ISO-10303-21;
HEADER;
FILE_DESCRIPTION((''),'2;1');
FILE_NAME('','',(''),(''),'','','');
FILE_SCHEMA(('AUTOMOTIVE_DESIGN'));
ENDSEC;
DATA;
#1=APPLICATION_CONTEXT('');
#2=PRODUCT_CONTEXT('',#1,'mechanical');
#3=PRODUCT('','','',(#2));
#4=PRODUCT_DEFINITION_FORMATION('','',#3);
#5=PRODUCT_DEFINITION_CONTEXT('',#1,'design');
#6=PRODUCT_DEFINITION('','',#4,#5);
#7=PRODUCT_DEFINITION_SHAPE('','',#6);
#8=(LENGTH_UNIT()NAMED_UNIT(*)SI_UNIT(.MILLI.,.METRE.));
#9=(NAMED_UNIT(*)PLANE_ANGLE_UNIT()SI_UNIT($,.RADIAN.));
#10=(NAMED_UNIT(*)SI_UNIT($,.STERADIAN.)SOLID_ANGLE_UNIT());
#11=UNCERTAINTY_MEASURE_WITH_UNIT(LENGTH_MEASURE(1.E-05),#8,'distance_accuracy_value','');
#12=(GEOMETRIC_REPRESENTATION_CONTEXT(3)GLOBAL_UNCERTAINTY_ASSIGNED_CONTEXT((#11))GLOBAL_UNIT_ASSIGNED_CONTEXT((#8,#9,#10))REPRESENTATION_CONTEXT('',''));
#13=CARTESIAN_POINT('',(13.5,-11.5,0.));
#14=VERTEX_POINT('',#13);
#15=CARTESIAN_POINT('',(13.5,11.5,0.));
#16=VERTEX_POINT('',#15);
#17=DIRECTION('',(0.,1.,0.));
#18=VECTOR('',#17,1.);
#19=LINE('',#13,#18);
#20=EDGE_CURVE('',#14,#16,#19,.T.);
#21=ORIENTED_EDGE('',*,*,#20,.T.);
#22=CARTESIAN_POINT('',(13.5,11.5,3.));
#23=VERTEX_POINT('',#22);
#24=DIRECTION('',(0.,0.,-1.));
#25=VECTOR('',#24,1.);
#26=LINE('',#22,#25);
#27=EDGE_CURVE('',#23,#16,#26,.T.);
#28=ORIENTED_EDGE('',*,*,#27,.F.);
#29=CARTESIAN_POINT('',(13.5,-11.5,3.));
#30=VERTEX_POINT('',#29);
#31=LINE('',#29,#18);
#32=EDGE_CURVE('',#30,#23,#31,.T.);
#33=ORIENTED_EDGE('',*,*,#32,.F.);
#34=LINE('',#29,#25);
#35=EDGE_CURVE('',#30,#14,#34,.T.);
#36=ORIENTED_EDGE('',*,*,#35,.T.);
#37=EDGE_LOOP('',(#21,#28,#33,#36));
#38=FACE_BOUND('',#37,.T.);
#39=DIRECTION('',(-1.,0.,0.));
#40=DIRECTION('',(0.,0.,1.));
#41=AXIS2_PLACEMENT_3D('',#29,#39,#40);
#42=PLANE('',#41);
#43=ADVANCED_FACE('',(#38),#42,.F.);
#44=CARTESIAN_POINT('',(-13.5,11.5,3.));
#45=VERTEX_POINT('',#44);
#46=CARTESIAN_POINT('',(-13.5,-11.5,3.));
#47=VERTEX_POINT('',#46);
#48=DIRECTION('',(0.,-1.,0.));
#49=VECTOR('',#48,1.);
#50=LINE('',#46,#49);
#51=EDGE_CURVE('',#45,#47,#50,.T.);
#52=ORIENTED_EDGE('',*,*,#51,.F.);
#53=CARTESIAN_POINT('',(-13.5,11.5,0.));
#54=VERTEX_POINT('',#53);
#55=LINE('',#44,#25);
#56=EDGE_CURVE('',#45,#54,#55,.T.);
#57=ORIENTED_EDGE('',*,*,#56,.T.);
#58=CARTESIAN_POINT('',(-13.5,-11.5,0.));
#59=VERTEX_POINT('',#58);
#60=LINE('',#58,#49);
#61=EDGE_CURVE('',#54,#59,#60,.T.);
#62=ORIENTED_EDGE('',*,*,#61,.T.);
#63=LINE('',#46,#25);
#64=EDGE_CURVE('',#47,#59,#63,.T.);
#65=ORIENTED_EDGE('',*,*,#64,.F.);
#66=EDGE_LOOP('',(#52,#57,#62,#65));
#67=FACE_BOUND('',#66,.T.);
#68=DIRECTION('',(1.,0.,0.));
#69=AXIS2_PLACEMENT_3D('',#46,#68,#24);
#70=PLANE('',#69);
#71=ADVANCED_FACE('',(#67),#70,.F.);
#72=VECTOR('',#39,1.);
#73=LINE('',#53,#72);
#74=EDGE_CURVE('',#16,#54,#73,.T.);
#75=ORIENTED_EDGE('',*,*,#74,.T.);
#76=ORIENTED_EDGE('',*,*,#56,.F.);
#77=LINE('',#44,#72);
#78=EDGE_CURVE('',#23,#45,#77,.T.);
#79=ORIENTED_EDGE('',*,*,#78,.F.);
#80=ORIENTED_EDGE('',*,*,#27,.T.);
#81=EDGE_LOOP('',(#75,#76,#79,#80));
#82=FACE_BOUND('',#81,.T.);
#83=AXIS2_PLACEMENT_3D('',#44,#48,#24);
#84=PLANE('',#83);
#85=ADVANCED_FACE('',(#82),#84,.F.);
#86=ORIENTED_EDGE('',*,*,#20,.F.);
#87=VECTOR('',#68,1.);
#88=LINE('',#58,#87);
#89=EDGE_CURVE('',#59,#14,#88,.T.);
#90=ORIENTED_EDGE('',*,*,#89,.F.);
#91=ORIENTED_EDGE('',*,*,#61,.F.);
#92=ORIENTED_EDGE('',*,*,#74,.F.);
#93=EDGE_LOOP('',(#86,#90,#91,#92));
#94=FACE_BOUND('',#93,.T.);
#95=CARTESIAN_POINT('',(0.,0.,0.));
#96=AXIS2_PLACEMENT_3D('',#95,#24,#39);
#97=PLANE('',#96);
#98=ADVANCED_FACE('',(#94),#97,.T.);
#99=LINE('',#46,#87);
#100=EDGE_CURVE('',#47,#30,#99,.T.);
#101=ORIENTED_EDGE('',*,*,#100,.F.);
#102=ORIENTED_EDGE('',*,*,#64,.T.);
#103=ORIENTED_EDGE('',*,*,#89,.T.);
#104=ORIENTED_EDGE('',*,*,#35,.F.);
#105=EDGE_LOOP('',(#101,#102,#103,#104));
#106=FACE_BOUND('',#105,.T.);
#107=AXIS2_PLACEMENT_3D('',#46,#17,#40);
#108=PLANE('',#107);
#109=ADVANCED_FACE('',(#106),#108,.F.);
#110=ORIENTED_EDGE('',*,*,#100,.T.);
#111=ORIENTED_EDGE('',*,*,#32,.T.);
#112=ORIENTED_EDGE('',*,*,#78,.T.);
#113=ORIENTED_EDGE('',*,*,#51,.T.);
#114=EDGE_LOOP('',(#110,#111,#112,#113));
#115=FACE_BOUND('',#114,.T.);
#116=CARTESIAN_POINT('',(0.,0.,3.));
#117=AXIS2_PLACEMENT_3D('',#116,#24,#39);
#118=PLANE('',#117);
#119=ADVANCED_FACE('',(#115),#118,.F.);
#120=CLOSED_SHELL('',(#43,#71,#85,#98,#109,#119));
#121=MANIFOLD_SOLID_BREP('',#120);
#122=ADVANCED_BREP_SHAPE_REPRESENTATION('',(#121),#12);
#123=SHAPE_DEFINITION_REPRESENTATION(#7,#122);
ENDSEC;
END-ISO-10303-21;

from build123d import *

# Parameters (mm, degrees)
ESQUISSE1_W        = 27
ESQUISSE1_H        = 23
BOSS_EXTRU_1_DEPTH = 3


with BuildPart() as part:
    # Esquisse1 → Boss.-Extru.1 (new body)
    with BuildSketch(Plane.XY):
        Rectangle(ESQUISSE1_W, ESQUISSE1_H)
    extrude(amount=BOSS_EXTRU_1_DEPTH)


solid = part.part
